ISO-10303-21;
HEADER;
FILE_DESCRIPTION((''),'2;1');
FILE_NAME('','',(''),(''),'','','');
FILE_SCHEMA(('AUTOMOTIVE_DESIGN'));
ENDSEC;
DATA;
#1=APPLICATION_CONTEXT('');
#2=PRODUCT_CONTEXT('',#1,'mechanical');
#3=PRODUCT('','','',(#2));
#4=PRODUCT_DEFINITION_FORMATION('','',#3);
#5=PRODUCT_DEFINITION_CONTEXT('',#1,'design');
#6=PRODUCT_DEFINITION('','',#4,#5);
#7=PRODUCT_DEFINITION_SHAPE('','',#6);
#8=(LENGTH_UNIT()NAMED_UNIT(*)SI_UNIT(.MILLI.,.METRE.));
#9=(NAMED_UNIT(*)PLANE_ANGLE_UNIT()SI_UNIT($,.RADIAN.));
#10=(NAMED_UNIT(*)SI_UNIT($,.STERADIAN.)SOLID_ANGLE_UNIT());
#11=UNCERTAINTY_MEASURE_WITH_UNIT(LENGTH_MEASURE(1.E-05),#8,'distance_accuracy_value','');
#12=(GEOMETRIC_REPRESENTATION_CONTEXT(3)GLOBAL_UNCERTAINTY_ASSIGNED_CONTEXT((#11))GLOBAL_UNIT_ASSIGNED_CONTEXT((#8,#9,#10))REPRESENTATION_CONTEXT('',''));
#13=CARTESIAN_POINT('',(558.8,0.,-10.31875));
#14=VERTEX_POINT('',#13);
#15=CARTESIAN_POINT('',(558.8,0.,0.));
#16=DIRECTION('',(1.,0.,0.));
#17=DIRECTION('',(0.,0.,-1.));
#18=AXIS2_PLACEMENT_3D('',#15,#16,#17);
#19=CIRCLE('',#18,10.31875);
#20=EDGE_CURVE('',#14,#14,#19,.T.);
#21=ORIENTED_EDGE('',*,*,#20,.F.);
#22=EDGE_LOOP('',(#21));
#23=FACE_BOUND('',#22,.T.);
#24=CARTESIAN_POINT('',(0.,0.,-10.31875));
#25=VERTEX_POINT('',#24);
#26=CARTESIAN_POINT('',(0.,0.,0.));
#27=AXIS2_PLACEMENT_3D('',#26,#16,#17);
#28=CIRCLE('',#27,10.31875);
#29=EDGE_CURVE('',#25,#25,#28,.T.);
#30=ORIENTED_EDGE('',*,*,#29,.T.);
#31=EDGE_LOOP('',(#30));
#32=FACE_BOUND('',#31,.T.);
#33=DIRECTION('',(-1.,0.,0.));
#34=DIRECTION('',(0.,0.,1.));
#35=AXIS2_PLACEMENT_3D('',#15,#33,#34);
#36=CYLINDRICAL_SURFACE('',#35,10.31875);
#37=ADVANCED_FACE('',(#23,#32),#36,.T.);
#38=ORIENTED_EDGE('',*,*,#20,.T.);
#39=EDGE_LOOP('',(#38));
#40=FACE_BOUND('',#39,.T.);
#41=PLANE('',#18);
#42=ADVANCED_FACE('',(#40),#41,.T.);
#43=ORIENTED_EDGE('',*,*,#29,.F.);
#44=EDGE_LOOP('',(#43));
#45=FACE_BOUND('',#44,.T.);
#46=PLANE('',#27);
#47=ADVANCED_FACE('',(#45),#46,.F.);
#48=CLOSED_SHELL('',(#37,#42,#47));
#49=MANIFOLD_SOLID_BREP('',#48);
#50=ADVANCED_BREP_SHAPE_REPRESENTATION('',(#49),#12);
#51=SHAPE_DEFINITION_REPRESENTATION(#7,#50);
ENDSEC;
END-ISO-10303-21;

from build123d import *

# Parameters (mm, degrees)
SKETCH1_R  = 10.31875
TREE_DEPTH = 558.8


with BuildPart() as part:
    # Sketch1 → Tree (new body)
    with BuildSketch(Plane(origin=(0, 0, 0), x_dir=(0, 0, -1), z_dir=(1, 0, 0))):
        Circle(SKETCH1_R)
    extrude(amount=TREE_DEPTH)


solid = part.part
